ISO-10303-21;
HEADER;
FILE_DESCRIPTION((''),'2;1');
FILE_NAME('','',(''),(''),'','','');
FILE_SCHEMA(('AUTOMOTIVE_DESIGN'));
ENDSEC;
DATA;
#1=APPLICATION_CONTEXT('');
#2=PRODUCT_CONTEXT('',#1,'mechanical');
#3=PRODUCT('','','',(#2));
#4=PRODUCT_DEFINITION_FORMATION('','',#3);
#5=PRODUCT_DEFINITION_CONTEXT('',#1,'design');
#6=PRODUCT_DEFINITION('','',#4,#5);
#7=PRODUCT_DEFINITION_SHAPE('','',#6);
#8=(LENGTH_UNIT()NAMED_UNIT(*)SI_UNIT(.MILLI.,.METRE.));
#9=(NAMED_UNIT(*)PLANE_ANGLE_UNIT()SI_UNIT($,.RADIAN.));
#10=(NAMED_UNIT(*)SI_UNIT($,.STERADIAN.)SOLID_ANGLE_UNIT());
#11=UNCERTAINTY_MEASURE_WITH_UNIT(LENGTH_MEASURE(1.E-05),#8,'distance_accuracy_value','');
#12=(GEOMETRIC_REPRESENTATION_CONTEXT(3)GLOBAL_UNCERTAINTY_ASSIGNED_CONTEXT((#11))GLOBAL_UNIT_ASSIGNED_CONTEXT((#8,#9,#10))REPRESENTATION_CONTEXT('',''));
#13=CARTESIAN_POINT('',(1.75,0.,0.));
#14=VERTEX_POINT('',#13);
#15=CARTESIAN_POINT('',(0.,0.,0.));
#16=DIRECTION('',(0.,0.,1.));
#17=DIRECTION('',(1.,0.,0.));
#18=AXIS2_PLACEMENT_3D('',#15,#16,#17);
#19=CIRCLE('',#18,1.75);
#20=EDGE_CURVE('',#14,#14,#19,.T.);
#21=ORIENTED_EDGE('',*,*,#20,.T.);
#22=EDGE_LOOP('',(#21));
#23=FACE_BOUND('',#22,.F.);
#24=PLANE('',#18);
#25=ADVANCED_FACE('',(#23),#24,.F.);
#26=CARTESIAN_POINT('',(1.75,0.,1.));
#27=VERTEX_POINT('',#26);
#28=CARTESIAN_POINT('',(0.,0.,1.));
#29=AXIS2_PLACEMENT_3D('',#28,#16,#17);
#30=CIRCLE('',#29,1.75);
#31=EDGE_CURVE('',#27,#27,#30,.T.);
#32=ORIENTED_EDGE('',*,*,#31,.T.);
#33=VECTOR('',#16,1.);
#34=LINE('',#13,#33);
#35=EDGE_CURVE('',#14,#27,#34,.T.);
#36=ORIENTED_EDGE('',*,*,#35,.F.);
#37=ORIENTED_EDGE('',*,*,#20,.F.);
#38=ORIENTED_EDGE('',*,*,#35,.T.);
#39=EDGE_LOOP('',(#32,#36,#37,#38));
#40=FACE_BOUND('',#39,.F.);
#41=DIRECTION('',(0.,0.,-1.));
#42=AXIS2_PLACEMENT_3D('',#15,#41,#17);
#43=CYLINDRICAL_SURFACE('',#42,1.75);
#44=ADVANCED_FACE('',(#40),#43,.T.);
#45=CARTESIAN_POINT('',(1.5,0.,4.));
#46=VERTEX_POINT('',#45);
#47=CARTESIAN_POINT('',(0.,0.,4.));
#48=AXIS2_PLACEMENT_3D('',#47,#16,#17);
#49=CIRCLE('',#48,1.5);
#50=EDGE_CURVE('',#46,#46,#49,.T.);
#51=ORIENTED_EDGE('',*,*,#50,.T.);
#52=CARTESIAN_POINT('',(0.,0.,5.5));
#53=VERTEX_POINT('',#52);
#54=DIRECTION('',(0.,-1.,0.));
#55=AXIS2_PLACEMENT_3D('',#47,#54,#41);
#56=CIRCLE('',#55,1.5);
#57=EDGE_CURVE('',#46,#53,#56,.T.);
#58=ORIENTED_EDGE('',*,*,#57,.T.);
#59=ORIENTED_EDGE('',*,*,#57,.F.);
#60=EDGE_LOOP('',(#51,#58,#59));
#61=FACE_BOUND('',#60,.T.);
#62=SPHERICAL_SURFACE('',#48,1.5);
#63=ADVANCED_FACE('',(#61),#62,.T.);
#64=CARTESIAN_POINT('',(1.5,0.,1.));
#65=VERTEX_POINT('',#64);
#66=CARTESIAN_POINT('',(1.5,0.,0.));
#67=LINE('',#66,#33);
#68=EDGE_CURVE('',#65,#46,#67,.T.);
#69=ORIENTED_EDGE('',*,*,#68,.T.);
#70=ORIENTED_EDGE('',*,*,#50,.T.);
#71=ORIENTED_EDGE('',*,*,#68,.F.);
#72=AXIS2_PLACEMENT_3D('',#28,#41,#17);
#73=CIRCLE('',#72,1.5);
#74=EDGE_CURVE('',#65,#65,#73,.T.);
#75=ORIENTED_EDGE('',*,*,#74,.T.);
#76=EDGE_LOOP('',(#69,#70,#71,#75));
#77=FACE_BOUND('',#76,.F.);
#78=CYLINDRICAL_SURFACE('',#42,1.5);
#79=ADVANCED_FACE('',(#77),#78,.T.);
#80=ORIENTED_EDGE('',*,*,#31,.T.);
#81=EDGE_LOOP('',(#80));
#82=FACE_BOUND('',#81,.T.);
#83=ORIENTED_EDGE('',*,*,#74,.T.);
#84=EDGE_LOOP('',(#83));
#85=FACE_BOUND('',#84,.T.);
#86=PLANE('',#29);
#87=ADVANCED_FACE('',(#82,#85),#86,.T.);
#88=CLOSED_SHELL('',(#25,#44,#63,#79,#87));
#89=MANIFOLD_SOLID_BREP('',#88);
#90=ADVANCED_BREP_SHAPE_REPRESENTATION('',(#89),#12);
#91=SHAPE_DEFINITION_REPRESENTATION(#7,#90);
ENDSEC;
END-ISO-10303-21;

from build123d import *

# Parameters (mm, degrees)
CYLINDER001_R     = 1.75
CYLINDER001_DEPTH = 1
CYLINDER_R        = 1.5
CYLINDER_DEPTH    = 4


with BuildPart() as led_base:
    # Cylinder001 → Cylinder001 (new body)
    with BuildSketch(Plane.XY):
        Circle(CYLINDER001_R)
    extrude(amount=CYLINDER001_DEPTH)


with BuildPart() as led_body:
    # Cylinder → Cylinder (new body)
    with BuildSketch(Plane.XY):
        Circle(CYLINDER_R)
    extrude(amount=CYLINDER_DEPTH)


with BuildPart() as led:
    # Sphere → Sphere (revolve)
    with BuildSketch(Plane(origin=(0, 0, 4), x_dir=(1, 0, 0), z_dir=(0, -1, 0))):
        with BuildLine():
            ThreePointArc((0, -1.5), (1.5, 0), (0, 1.5))
            Line((0, 1.5), (0, -1.5))
        make_face()
    revolve(axis=Axis((0, 0, 4), (0, 0, 1)))

    # Fusion: union LED_Base, LED_Body
    add(led_base.part)
    add(led_body.part)


solid = led.part
